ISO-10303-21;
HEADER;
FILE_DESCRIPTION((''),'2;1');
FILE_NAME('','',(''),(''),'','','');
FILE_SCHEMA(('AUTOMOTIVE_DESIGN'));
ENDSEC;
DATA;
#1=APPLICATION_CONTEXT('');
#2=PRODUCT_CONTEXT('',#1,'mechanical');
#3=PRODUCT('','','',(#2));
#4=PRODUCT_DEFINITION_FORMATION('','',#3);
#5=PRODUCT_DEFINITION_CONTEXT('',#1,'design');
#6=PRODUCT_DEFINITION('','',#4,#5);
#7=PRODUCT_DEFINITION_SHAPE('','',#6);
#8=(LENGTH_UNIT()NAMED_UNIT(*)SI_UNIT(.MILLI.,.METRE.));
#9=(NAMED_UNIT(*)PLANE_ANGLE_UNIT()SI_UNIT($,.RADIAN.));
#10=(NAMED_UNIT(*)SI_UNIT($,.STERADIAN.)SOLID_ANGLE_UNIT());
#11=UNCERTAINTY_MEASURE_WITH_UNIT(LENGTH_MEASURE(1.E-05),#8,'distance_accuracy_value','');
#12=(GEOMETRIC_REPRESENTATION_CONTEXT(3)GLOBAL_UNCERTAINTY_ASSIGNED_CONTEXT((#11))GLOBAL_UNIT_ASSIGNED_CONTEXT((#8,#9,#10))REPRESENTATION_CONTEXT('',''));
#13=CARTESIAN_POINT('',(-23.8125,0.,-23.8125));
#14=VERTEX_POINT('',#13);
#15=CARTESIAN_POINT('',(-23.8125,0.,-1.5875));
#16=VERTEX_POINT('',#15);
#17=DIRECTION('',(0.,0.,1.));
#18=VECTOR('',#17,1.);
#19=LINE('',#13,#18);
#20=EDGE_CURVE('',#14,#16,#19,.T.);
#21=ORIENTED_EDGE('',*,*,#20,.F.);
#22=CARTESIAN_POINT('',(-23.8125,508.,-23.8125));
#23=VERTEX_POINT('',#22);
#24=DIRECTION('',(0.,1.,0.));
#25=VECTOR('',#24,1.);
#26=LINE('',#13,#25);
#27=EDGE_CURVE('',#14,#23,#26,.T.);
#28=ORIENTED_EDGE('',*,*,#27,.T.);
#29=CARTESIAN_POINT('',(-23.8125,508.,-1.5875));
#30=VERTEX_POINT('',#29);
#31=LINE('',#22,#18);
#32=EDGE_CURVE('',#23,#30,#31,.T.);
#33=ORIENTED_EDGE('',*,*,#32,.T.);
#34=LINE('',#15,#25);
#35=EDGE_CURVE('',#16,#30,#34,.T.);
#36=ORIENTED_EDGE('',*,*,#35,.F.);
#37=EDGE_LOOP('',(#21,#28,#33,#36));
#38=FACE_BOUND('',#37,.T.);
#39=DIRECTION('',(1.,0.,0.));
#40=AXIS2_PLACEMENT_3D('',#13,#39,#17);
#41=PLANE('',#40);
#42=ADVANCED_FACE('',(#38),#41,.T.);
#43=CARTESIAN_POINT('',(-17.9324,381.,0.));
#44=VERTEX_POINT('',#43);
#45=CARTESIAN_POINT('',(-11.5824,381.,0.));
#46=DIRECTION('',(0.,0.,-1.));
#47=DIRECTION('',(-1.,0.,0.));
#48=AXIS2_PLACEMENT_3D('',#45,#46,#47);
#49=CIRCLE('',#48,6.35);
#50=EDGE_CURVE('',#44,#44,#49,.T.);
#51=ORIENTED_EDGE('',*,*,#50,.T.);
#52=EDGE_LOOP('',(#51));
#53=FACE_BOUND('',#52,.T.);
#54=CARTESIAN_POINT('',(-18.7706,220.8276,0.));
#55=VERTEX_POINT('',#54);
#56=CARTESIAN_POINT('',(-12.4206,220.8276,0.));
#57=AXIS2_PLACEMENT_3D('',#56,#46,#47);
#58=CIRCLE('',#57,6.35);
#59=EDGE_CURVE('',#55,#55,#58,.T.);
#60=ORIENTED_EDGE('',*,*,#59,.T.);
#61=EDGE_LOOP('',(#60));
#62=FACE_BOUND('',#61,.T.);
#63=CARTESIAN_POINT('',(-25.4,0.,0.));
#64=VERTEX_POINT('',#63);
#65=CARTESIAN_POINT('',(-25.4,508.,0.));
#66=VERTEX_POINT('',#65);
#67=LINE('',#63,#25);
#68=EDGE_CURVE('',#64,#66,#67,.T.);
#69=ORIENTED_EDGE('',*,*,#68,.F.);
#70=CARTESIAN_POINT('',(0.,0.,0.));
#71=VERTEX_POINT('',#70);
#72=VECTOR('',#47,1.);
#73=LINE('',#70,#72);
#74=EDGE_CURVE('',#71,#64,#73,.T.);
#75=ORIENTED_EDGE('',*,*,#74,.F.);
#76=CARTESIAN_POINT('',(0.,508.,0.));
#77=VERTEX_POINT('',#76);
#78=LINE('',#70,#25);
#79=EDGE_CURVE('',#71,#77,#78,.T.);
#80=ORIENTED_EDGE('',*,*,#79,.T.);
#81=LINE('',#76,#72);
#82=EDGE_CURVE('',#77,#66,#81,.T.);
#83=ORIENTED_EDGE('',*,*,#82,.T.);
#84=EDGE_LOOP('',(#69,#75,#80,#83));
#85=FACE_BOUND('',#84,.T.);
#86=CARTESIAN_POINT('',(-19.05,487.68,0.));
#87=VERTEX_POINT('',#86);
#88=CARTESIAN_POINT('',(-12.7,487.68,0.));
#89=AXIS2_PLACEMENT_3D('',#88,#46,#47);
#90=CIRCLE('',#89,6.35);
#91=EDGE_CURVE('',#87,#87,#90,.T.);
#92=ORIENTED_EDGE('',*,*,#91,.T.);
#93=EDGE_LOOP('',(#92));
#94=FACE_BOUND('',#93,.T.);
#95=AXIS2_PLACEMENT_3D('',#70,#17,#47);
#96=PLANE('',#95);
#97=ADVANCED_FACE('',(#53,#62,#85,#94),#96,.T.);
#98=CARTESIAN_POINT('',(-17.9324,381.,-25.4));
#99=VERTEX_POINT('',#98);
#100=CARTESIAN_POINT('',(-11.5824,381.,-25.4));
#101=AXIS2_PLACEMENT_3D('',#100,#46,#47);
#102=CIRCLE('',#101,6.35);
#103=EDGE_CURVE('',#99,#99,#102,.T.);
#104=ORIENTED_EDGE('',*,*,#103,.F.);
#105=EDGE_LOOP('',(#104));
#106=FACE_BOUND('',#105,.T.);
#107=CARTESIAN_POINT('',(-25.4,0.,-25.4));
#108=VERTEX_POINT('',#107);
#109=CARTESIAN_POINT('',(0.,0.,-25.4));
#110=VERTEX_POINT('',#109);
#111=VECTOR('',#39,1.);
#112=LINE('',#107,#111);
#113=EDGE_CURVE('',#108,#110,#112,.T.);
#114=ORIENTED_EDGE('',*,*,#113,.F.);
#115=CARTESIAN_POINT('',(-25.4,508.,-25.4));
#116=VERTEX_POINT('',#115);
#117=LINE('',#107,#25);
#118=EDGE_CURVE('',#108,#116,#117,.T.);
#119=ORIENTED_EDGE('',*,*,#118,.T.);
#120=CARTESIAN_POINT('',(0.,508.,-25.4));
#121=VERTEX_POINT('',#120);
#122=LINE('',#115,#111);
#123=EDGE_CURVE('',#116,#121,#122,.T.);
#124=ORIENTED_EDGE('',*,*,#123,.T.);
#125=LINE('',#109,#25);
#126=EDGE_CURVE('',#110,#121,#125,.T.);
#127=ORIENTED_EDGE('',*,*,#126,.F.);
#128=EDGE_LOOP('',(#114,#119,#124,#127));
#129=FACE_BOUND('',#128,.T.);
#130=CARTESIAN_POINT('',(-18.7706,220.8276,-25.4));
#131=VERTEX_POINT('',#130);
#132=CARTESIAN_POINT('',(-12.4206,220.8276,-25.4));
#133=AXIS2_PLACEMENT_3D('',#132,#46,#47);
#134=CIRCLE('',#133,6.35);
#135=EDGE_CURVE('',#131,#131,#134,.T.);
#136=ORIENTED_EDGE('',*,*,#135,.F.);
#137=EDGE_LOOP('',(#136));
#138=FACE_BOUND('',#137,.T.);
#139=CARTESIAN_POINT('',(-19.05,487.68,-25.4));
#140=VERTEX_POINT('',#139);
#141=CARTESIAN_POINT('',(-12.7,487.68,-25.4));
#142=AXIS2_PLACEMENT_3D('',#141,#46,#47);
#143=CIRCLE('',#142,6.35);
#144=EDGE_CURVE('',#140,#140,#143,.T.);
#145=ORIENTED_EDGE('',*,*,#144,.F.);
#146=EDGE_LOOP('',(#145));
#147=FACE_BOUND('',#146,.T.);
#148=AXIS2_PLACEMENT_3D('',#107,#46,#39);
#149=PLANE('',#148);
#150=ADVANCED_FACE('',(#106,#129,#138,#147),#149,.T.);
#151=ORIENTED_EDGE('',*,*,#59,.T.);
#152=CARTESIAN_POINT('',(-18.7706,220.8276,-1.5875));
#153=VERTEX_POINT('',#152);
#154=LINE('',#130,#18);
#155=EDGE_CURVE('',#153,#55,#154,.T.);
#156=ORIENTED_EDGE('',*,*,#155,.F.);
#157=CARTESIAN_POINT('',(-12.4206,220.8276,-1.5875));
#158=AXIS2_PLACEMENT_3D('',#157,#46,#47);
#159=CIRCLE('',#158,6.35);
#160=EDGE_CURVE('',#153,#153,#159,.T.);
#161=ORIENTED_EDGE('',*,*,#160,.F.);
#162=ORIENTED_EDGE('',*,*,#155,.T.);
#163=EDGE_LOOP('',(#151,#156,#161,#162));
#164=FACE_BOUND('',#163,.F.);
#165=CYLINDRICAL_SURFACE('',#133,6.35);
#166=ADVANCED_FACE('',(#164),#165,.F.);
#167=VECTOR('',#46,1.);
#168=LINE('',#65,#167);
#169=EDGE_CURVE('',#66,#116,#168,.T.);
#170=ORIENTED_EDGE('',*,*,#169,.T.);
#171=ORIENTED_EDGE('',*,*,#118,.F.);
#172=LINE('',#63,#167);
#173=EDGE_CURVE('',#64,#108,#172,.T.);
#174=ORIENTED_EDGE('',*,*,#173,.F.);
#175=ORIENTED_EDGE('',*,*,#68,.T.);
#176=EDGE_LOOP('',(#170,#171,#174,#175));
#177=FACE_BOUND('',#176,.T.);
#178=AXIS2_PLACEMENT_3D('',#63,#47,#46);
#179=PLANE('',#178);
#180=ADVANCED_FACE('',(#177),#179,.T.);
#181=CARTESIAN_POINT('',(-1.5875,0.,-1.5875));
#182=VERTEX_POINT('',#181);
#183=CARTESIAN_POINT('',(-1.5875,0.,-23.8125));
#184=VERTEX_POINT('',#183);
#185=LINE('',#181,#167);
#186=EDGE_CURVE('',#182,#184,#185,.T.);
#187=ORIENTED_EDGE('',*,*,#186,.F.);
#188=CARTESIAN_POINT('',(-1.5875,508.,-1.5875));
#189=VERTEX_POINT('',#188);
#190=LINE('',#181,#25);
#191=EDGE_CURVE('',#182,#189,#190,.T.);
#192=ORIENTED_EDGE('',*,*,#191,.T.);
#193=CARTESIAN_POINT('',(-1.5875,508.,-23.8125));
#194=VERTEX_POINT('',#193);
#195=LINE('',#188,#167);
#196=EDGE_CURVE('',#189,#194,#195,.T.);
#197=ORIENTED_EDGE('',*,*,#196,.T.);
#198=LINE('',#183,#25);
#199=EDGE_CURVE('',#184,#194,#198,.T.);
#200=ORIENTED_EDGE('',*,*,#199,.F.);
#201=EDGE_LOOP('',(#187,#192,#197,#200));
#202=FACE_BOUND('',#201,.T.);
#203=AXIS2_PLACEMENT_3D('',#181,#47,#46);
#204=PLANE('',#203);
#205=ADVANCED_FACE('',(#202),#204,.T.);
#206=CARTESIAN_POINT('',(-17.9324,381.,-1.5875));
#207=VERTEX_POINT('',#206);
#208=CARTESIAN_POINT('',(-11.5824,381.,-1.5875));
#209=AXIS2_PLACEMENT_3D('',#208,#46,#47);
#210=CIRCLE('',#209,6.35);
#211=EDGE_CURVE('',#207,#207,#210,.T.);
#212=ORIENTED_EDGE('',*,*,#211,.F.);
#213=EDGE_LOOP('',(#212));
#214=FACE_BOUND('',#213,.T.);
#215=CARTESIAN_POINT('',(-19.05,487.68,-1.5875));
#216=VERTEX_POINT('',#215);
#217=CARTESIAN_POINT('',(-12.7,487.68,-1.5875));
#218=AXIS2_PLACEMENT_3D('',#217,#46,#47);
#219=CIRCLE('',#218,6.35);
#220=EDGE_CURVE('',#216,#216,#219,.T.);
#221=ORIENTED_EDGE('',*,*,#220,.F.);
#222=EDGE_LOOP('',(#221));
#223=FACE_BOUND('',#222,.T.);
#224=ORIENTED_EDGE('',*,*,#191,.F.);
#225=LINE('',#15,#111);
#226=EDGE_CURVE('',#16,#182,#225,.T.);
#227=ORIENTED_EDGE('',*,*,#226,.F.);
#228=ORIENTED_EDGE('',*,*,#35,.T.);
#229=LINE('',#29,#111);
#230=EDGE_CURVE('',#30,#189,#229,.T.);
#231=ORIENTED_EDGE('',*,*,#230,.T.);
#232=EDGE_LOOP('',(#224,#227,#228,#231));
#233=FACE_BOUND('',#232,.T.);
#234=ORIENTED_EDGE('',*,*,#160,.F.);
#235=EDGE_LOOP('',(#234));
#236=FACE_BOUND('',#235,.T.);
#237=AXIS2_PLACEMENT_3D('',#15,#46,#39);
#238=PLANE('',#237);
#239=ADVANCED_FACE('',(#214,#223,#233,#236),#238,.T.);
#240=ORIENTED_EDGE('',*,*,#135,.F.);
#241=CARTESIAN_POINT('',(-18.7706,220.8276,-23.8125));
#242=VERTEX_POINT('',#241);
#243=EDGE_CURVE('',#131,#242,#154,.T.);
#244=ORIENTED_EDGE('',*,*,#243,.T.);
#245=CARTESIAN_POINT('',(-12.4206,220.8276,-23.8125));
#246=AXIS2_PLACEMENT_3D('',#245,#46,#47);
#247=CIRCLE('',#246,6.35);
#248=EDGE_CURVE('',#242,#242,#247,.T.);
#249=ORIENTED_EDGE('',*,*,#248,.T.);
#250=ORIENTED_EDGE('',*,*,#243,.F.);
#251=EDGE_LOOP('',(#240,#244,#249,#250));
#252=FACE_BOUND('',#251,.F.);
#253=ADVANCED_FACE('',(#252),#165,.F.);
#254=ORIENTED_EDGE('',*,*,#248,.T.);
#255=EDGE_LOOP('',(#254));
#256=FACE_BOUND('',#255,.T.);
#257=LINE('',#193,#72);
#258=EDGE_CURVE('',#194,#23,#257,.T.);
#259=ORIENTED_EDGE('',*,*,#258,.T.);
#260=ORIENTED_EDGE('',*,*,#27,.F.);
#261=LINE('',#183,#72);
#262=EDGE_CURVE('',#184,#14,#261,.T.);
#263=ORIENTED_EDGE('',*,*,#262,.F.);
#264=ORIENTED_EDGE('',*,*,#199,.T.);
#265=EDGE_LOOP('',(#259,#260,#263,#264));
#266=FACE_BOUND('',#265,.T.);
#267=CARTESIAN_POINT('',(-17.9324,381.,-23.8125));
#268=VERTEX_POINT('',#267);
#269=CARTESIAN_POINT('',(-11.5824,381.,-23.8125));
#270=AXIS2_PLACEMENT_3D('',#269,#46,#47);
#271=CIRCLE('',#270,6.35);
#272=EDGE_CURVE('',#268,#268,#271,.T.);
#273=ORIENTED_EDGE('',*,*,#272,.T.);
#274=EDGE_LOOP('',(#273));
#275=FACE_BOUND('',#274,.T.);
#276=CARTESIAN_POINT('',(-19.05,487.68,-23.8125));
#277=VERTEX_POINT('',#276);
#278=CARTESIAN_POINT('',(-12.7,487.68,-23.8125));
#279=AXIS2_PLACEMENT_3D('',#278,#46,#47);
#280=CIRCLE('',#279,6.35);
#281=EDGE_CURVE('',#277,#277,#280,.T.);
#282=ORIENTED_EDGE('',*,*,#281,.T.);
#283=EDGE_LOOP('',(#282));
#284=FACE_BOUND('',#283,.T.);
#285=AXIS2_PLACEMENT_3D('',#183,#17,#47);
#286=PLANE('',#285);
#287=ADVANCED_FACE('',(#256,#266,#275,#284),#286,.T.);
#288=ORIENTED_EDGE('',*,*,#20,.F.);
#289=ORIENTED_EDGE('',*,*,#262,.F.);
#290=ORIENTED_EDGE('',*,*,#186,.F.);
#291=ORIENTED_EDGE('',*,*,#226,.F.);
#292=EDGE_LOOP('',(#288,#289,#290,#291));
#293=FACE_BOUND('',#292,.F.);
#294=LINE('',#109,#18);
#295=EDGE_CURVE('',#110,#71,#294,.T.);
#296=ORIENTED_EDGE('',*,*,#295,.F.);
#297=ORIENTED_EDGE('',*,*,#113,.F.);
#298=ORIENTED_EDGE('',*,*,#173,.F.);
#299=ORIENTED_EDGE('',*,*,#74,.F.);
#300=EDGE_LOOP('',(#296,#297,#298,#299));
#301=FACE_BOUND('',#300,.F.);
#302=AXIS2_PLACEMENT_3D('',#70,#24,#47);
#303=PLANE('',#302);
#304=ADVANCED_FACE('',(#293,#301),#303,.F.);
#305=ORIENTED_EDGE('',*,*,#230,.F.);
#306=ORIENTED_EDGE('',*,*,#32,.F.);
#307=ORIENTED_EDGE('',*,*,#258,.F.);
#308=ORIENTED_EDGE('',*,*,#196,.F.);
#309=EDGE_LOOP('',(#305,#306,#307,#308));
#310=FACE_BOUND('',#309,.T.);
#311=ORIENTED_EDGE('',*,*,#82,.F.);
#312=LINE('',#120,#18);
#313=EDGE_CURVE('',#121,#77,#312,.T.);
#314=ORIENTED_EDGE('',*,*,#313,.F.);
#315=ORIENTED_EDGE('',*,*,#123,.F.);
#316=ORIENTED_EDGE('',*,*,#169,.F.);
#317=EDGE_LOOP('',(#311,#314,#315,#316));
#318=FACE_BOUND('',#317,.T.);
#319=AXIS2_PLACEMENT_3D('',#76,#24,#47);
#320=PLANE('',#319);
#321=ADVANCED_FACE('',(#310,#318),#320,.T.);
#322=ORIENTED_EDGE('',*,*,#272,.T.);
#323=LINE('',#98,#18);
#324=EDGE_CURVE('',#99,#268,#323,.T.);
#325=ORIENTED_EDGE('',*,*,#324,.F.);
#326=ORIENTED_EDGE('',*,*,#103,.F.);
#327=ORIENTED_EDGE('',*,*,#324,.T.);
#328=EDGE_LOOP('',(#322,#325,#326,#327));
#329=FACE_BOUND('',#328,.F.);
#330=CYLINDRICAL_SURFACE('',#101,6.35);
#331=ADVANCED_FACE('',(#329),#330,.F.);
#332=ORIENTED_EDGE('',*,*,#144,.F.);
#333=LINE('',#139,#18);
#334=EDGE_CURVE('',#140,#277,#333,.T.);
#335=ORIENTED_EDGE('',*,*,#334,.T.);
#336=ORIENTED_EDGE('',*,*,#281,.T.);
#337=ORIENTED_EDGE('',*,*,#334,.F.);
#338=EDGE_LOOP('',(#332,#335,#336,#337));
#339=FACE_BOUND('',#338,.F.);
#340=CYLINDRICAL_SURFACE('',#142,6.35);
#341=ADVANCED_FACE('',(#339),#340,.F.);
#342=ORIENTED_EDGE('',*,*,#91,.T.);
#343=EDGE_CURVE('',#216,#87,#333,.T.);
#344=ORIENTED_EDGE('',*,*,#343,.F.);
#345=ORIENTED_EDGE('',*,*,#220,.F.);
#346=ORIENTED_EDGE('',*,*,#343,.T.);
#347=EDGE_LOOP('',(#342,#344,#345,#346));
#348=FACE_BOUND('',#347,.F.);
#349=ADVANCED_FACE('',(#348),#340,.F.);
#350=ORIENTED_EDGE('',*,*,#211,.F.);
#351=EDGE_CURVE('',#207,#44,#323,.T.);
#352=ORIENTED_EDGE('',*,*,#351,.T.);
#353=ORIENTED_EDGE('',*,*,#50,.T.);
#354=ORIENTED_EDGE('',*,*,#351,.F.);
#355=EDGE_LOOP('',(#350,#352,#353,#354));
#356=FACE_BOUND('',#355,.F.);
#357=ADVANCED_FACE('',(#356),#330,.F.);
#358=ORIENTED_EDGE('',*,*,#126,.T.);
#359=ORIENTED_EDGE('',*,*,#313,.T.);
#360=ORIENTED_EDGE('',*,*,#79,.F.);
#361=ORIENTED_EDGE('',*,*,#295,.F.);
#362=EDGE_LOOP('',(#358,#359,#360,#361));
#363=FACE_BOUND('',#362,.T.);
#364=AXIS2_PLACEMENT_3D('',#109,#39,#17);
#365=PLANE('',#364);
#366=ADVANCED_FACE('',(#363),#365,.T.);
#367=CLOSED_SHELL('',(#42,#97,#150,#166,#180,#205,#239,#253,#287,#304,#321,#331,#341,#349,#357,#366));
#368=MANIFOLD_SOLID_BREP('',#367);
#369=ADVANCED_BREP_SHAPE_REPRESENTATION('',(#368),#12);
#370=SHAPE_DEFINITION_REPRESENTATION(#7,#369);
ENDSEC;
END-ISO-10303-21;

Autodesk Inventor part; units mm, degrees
ref_plane "YZ Plane" through (0, 0, 0) normal (1, 0, 0) x (0, 1, 0)
ref_plane "XZ Plane" through (0, 0, 0) normal (0, 1, 0) x (-1, 0, 0)
ref_plane "XY Plane" through (0, 0, 0) normal (0, 0, 1) x (1, 0, 0)
sketch "Sketch1" plane through (0, 0, 0) normal (0, 1, 0) x (-1, 0, 0)
  line L0 (0, 0) -> (25.4, 0)
  line L1 (25.4, 0) -> (25.4, -25.4)
  line L2 (25.4, -25.4) -> (0, -25.4)
  line L3 (0, -25.4) -> (0, 0)
  line L4 (23.8125, -23.8125) -> (23.8125, -1.5875)
  line L5 (23.8125, -1.5875) -> (1.5875, -1.5875)
  line L6 (1.5875, -1.5875) -> (1.5875, -23.8125)
  line L7 (1.5875, -23.8125) -> (23.8125, -23.8125)
  dimension "d0" = 25.4
  dimension "d1" = 25.4
  dimension "d2" = 1.5875
extrude "Extrusion1" add sketch "Sketch1" along normal blind 508
sketch "Sketch2" plane through (0, 0, -25.4) normal (0, 0, -1) x (-1, 0, 0)
  circle A0 centre (12.7, 487.68) radius 6.35
  line L0 (0, 508) -> (25.4, 508) projected
  point P0 (0, 0)
  dimension "d5" = 12.7
  dimension "d6" = 20.32
extrude "Extrusion2" cut sketch "Sketch2" against normal blind 25.4
sketch "Sketch4" plane through (0, 0, -25.4) normal (0, 0, -1) x (-1, 0, 0)
  circle A0 centre (11.5824, 381) radius 6.35
  line L0 (0, 0) -> (0, 508) projected
  line L1 (0, 508) -> (25.4, 508) projected
  dimension "d14" = 12.7
  dimension "d15" = 11.5824
  dimension "d16" = 127
extrude "Extrusion4" cut sketch "Sketch4" against normal blind 25.4
sketch "Sketch5" plane through (0, 0, -25.4) normal (0, 0, -1) x (-1, 0, 0)
  circle A0 centre (12.4206, 220.8276) radius 6.35
  line L0 (25.4, 0) -> (25.4, 508) projected
  line L1 (25.4, 0) -> (0, 0) projected
  dimension "d19" = 12.7
  dimension "d20" = 12.9794
  dimension "d21" = 220.8276
extrude "Extrusion5" cut sketch "Sketch5" against normal blind 25.4
properties part number "AP 8"
